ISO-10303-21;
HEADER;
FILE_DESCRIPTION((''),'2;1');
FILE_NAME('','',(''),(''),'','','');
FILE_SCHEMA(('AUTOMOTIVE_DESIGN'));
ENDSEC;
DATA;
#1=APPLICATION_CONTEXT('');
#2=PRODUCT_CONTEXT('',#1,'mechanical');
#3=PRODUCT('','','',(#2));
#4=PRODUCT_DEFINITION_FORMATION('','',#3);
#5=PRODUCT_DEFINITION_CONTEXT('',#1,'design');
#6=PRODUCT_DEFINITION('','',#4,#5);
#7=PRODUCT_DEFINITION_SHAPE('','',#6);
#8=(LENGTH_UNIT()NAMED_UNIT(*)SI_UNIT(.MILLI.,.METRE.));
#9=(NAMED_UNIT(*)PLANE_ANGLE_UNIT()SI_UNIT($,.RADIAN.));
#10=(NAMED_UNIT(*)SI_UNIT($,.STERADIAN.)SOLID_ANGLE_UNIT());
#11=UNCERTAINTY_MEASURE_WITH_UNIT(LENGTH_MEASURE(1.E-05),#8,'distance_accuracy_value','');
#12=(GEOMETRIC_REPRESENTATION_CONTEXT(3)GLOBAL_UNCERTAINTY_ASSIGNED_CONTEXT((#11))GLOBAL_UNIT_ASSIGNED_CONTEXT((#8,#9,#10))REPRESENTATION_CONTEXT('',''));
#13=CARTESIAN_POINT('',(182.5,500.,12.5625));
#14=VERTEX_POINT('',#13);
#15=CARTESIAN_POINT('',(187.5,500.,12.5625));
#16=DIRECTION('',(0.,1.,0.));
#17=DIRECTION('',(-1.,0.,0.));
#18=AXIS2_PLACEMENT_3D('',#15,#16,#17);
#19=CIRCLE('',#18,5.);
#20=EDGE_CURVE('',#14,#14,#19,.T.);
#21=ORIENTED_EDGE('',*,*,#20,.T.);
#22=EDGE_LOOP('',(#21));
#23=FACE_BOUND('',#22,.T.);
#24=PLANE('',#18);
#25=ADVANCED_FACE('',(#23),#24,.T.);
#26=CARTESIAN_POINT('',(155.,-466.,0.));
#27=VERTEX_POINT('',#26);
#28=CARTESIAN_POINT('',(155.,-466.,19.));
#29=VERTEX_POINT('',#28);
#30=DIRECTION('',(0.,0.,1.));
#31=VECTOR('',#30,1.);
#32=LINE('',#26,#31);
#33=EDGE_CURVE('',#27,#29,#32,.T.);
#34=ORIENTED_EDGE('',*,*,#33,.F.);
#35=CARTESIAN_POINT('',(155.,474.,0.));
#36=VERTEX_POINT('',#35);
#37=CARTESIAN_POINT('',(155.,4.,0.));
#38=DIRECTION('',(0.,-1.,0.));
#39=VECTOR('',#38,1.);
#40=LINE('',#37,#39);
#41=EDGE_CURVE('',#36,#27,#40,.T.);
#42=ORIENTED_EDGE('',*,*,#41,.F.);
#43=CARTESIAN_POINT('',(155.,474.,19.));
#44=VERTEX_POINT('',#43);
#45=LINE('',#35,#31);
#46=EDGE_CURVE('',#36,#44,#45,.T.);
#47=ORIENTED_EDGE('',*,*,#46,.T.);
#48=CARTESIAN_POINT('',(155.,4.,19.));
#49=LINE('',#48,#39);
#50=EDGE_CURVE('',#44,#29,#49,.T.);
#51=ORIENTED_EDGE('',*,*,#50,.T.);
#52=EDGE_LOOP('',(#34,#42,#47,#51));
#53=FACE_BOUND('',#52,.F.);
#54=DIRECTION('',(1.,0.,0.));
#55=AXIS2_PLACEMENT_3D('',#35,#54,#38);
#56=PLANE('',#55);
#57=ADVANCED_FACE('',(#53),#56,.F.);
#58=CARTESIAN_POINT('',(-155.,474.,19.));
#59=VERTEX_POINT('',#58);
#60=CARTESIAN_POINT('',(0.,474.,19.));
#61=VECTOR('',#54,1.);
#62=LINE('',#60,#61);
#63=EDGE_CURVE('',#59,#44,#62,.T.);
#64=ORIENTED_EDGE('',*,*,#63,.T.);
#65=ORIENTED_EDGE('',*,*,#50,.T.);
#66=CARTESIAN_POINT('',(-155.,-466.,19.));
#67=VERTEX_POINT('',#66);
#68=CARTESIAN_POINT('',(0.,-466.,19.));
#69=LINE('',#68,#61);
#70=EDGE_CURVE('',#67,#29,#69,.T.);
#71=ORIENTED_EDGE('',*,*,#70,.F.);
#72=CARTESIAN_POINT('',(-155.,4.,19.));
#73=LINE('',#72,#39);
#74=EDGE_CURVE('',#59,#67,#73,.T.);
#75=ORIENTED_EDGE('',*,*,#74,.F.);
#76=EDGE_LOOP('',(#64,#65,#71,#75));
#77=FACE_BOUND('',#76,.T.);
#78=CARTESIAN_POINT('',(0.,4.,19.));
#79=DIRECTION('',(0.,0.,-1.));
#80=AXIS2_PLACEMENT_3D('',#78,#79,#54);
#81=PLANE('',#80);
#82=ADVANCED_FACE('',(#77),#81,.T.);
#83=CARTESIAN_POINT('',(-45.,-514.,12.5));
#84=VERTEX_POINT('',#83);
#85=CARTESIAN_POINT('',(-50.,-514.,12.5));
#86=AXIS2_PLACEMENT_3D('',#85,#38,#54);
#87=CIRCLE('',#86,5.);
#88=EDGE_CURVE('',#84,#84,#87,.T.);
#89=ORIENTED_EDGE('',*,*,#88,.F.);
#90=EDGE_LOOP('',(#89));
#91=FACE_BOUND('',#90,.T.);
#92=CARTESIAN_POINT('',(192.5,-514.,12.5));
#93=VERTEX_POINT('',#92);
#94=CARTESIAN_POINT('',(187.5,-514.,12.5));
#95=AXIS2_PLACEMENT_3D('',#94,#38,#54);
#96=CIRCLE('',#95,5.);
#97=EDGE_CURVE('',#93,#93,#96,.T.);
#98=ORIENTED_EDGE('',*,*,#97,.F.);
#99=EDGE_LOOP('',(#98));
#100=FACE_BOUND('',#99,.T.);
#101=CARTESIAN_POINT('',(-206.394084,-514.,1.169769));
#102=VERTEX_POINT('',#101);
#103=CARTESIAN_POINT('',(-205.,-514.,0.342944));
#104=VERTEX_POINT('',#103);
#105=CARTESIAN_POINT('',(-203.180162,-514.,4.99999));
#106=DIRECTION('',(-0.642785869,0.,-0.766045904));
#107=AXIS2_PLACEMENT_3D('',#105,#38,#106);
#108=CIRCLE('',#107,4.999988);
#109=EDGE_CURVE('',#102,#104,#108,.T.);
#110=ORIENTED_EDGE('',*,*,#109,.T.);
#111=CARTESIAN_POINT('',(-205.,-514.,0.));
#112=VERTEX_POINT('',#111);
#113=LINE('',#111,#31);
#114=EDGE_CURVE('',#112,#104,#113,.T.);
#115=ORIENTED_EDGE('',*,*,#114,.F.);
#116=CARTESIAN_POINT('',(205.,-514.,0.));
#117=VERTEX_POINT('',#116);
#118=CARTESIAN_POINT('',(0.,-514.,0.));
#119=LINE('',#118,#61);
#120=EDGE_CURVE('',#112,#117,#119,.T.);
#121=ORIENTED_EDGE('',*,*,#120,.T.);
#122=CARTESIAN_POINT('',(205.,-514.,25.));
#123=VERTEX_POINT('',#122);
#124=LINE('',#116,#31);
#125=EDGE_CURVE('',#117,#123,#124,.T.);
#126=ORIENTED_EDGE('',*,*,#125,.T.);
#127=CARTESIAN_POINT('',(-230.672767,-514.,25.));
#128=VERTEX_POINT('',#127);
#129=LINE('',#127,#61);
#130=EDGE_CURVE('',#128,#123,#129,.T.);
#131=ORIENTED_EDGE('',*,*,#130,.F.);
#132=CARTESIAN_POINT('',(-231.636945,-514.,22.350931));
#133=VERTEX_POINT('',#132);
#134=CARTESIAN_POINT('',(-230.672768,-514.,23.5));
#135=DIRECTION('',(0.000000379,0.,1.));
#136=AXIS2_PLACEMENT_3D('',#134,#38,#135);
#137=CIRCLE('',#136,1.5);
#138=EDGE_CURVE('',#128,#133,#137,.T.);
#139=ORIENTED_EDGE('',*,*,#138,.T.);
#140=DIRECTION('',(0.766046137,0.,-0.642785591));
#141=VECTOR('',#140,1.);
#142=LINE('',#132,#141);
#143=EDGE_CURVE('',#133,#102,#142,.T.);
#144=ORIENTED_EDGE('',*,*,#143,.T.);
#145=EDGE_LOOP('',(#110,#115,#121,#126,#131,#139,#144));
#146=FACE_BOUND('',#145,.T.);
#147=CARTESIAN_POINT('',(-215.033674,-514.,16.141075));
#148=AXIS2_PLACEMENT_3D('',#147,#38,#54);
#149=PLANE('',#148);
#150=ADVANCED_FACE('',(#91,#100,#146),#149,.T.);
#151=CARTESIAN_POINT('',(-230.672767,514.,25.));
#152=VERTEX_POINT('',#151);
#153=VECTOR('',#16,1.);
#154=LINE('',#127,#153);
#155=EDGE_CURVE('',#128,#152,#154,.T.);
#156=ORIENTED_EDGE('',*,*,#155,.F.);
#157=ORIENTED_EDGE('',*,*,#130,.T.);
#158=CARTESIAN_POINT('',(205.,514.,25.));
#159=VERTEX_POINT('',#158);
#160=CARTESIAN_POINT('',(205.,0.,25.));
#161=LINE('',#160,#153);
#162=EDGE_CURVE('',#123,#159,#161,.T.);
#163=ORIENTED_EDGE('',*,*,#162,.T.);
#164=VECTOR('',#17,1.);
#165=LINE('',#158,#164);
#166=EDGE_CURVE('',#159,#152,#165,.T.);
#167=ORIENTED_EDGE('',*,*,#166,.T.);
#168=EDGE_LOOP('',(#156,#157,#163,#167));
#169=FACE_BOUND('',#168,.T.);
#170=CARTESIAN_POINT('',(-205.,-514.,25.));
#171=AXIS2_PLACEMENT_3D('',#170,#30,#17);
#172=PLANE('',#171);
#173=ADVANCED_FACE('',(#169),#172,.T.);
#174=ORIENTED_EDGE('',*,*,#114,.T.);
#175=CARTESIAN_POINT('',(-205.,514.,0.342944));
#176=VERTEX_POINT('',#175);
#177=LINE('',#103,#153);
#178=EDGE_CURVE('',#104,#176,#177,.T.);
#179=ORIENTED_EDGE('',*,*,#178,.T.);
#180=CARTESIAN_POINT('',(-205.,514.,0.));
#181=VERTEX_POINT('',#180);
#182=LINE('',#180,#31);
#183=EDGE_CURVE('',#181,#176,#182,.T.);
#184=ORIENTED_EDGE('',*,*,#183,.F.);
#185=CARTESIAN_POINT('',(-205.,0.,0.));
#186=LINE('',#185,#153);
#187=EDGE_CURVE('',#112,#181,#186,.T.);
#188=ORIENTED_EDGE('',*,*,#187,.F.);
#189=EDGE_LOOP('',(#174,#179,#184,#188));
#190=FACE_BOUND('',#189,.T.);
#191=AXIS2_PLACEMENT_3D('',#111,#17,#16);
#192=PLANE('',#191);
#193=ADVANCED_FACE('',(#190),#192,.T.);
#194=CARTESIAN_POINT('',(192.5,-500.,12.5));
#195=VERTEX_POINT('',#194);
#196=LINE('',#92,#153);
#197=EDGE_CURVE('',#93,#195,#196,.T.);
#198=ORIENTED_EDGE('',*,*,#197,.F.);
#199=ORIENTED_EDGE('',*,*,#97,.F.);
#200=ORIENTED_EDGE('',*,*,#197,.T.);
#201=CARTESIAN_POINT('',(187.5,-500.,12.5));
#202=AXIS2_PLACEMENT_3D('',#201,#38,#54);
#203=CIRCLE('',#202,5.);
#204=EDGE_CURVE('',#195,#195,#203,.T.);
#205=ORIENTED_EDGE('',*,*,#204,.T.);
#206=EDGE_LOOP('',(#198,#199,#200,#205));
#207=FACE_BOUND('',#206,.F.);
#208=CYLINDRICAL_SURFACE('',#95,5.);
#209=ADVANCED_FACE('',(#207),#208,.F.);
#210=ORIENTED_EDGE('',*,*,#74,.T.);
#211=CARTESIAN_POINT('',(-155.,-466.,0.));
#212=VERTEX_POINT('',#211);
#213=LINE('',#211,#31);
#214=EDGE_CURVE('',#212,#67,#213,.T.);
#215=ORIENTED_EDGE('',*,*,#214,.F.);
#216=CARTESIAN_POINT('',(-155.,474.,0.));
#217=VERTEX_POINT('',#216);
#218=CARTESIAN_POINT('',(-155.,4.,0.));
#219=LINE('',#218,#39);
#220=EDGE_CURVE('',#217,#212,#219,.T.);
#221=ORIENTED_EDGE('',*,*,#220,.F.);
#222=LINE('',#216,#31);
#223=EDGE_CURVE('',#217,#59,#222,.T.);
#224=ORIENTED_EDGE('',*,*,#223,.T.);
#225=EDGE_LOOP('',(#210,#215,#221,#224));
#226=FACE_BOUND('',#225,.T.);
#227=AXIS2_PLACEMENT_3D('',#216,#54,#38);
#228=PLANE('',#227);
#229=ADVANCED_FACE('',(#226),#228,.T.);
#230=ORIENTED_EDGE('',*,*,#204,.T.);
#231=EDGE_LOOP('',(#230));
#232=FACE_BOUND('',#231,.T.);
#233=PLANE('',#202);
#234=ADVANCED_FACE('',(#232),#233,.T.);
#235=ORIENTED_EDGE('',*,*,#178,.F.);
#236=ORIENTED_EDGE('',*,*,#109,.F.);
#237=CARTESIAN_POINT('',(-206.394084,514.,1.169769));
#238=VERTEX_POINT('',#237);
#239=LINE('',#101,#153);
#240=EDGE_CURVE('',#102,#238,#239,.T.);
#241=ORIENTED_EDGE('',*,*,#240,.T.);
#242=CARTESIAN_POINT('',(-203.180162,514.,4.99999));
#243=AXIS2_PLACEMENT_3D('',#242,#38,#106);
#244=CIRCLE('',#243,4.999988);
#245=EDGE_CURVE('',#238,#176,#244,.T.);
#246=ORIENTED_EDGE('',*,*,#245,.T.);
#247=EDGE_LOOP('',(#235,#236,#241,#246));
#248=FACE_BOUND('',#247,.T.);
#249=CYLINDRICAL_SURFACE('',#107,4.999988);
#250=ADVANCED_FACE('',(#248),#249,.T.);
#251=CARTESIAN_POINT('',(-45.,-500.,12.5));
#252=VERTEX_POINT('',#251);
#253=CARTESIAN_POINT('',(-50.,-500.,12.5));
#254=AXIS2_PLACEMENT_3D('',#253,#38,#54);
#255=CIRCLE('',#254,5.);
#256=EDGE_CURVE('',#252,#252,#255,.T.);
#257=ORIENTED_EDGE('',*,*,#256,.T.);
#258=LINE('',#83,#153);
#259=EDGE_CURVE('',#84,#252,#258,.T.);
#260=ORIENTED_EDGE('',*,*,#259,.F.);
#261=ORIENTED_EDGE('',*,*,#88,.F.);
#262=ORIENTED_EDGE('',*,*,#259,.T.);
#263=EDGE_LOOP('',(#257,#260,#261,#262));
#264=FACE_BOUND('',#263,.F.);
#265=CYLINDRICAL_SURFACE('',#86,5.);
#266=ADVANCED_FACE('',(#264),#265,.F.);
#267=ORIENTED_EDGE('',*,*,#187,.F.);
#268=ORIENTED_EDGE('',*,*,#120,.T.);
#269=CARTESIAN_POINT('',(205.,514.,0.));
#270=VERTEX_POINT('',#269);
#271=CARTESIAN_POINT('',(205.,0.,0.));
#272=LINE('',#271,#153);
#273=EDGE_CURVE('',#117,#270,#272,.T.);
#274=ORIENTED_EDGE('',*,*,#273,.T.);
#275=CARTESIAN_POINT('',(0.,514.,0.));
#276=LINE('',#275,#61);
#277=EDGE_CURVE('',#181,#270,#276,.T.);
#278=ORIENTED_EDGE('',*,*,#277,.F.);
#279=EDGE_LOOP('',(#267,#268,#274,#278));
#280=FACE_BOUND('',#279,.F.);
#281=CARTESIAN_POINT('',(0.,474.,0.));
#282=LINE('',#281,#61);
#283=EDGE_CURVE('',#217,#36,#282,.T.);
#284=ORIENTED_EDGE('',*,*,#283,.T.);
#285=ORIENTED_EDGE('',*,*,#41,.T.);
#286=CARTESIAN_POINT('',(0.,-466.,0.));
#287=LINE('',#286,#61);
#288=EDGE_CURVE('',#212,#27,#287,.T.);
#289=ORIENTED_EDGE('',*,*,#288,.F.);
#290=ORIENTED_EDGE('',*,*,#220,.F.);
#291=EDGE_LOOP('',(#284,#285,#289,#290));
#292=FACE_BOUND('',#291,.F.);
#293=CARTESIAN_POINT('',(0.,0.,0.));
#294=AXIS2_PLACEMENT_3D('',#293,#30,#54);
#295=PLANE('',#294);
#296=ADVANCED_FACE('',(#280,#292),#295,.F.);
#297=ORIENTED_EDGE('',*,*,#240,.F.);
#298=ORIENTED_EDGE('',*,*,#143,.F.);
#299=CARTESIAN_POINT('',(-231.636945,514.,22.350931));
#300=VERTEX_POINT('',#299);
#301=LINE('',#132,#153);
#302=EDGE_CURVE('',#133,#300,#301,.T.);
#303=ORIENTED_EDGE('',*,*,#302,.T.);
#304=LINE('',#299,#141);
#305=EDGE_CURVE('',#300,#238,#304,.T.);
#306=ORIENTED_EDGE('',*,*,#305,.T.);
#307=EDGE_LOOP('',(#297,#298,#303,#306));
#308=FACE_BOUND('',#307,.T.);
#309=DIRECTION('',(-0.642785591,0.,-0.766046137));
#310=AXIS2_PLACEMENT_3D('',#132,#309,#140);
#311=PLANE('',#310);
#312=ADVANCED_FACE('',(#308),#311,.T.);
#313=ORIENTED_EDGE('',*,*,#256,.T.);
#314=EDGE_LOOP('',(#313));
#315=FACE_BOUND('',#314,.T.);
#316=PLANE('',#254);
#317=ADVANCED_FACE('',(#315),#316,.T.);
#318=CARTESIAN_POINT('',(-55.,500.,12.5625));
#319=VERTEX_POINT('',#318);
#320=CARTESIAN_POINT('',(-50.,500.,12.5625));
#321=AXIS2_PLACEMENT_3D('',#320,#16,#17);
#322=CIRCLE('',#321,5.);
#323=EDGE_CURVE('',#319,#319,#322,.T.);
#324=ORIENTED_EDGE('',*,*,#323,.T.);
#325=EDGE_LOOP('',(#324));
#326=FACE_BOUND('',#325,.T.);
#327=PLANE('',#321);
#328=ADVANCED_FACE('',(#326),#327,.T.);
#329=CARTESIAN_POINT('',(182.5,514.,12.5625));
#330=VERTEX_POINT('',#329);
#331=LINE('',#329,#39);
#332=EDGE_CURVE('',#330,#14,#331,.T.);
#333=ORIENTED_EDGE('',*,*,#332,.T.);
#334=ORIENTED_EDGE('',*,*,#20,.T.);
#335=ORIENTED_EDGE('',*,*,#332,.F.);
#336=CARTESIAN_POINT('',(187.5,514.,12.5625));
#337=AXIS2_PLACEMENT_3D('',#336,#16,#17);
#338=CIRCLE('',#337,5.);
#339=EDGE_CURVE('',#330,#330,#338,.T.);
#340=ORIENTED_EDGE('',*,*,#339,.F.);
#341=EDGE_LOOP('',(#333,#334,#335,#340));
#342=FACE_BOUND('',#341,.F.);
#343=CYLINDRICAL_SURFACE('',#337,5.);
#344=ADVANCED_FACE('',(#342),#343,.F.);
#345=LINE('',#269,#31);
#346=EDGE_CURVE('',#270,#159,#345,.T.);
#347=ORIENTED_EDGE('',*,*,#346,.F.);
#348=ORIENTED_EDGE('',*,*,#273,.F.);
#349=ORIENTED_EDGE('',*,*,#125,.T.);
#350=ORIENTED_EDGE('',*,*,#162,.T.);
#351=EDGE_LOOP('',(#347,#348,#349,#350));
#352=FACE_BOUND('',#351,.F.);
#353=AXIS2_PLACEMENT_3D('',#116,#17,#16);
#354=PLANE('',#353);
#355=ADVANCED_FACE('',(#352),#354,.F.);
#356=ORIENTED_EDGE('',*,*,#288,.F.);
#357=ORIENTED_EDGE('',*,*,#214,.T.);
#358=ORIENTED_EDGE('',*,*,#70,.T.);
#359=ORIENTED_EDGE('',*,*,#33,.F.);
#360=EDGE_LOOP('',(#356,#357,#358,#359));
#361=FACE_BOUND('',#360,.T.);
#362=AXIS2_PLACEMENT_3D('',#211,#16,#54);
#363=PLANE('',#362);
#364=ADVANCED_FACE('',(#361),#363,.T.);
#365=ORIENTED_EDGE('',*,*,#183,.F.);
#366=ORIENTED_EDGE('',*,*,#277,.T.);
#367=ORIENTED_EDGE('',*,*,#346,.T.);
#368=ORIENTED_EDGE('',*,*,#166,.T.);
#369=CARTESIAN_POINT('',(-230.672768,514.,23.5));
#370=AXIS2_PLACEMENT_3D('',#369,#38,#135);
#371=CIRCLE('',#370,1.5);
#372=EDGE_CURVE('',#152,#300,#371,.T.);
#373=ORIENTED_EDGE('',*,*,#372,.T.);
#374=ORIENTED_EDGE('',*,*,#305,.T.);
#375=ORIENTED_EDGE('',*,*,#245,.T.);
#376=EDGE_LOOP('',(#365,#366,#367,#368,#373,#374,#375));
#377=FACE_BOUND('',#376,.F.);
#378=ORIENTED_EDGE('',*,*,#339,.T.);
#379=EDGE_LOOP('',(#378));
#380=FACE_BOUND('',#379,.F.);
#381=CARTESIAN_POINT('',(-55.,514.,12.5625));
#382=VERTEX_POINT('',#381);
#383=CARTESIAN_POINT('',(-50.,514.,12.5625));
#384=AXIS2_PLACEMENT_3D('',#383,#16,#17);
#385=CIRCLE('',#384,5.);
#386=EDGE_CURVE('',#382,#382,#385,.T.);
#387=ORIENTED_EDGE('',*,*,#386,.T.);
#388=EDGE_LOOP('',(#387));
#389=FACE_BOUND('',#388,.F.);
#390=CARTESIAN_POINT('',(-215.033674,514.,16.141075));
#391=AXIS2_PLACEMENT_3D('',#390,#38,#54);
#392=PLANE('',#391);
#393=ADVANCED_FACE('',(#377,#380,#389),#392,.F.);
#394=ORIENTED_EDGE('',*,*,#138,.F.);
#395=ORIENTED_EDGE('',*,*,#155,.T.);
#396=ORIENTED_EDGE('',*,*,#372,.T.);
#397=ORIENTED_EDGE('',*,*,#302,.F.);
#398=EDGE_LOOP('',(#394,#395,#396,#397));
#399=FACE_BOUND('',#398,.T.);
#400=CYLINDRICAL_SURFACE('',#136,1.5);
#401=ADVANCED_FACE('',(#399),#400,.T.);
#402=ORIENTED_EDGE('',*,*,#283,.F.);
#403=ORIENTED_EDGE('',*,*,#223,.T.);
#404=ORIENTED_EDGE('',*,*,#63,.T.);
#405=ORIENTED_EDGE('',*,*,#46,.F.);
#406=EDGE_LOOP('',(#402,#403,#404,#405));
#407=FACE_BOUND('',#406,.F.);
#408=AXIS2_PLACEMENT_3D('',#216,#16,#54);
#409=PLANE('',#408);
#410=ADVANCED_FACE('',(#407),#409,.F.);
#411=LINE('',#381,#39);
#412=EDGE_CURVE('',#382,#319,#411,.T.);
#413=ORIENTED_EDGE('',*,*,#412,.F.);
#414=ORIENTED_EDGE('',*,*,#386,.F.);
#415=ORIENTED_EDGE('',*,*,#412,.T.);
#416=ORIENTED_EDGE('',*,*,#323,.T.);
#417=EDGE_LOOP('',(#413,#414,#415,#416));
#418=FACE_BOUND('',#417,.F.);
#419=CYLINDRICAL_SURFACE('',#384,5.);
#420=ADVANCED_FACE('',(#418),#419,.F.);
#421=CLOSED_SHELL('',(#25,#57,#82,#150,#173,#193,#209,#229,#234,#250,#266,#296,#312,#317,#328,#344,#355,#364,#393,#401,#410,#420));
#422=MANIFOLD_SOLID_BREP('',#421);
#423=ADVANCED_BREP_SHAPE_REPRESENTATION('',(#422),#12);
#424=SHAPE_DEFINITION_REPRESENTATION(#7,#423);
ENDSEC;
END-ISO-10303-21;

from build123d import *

# Parameters (mm, degrees)
F0_W     = 410
F0_H     = 1028
F1_DEPTH = 25
F2_R     = 5
F3_DEPTH = 14
F4_R     = 5
F5_DEPTH = 14
F7_DEPTH = 1028
F8_W     = 310
F8_H     = 940
F9_DEPTH = 19


with BuildPart() as f1:
    # F0 (on Top) → F1 (new body)
    with BuildSketch(Plane.XY):
        Rectangle(F0_W, F0_H)
    extrude(amount=F1_DEPTH)

    # F2 (on face) → F3 (cut)
    with BuildSketch(Plane.XZ.offset(514)):
        with Locations((187.5, 12.5)):
            Circle(F2_R)
        with Locations((-50, 12.5)):
            Circle(F2_R)
    extrude(amount=-F3_DEPTH, mode=Mode.SUBTRACT)

    # F4 (on face) → F5 (cut)
    with BuildSketch(Plane(origin=(0, 514, 0), x_dir=(-1, 0, 0), z_dir=(0, 1, 0))):
        with Locations((-187.5, 12.5625)):
            Circle(F4_R)
        with Locations((50, 12.5625)):
            Circle(F4_R)
    extrude(amount=-F5_DEPTH, mode=Mode.SUBTRACT)

    # F6 (on face) → F7 (join)
    with BuildSketch(Plane.XZ.offset(514)):
        with BuildLine():
            Line((-205, 0.342944), (-205, 25))
            Line((-205, 25), (-230.672767, 25))
            ThreePointArc((-230.672767, 25), (-232.082307, 24.013028), (-231.636945, 22.350931))
            Line((-231.636945, 22.350931), (-206.394084, 1.169769))
            ThreePointArc((-206.394084, 1.169769), (-205.730769, 0.699491), (-205, 0.342944))
        make_face()
    extrude(amount=-F7_DEPTH)

    # F8 (on face) → F9 (cut)
    with BuildSketch(Plane(origin=(0, 0, 0), x_dir=(1, 0, 0), z_dir=(0, 0, -1))):
        with Locations((0, -4)):
            Rectangle(F8_W, F8_H)
    extrude(amount=-F9_DEPTH, mode=Mode.SUBTRACT)


solid = f1.part
